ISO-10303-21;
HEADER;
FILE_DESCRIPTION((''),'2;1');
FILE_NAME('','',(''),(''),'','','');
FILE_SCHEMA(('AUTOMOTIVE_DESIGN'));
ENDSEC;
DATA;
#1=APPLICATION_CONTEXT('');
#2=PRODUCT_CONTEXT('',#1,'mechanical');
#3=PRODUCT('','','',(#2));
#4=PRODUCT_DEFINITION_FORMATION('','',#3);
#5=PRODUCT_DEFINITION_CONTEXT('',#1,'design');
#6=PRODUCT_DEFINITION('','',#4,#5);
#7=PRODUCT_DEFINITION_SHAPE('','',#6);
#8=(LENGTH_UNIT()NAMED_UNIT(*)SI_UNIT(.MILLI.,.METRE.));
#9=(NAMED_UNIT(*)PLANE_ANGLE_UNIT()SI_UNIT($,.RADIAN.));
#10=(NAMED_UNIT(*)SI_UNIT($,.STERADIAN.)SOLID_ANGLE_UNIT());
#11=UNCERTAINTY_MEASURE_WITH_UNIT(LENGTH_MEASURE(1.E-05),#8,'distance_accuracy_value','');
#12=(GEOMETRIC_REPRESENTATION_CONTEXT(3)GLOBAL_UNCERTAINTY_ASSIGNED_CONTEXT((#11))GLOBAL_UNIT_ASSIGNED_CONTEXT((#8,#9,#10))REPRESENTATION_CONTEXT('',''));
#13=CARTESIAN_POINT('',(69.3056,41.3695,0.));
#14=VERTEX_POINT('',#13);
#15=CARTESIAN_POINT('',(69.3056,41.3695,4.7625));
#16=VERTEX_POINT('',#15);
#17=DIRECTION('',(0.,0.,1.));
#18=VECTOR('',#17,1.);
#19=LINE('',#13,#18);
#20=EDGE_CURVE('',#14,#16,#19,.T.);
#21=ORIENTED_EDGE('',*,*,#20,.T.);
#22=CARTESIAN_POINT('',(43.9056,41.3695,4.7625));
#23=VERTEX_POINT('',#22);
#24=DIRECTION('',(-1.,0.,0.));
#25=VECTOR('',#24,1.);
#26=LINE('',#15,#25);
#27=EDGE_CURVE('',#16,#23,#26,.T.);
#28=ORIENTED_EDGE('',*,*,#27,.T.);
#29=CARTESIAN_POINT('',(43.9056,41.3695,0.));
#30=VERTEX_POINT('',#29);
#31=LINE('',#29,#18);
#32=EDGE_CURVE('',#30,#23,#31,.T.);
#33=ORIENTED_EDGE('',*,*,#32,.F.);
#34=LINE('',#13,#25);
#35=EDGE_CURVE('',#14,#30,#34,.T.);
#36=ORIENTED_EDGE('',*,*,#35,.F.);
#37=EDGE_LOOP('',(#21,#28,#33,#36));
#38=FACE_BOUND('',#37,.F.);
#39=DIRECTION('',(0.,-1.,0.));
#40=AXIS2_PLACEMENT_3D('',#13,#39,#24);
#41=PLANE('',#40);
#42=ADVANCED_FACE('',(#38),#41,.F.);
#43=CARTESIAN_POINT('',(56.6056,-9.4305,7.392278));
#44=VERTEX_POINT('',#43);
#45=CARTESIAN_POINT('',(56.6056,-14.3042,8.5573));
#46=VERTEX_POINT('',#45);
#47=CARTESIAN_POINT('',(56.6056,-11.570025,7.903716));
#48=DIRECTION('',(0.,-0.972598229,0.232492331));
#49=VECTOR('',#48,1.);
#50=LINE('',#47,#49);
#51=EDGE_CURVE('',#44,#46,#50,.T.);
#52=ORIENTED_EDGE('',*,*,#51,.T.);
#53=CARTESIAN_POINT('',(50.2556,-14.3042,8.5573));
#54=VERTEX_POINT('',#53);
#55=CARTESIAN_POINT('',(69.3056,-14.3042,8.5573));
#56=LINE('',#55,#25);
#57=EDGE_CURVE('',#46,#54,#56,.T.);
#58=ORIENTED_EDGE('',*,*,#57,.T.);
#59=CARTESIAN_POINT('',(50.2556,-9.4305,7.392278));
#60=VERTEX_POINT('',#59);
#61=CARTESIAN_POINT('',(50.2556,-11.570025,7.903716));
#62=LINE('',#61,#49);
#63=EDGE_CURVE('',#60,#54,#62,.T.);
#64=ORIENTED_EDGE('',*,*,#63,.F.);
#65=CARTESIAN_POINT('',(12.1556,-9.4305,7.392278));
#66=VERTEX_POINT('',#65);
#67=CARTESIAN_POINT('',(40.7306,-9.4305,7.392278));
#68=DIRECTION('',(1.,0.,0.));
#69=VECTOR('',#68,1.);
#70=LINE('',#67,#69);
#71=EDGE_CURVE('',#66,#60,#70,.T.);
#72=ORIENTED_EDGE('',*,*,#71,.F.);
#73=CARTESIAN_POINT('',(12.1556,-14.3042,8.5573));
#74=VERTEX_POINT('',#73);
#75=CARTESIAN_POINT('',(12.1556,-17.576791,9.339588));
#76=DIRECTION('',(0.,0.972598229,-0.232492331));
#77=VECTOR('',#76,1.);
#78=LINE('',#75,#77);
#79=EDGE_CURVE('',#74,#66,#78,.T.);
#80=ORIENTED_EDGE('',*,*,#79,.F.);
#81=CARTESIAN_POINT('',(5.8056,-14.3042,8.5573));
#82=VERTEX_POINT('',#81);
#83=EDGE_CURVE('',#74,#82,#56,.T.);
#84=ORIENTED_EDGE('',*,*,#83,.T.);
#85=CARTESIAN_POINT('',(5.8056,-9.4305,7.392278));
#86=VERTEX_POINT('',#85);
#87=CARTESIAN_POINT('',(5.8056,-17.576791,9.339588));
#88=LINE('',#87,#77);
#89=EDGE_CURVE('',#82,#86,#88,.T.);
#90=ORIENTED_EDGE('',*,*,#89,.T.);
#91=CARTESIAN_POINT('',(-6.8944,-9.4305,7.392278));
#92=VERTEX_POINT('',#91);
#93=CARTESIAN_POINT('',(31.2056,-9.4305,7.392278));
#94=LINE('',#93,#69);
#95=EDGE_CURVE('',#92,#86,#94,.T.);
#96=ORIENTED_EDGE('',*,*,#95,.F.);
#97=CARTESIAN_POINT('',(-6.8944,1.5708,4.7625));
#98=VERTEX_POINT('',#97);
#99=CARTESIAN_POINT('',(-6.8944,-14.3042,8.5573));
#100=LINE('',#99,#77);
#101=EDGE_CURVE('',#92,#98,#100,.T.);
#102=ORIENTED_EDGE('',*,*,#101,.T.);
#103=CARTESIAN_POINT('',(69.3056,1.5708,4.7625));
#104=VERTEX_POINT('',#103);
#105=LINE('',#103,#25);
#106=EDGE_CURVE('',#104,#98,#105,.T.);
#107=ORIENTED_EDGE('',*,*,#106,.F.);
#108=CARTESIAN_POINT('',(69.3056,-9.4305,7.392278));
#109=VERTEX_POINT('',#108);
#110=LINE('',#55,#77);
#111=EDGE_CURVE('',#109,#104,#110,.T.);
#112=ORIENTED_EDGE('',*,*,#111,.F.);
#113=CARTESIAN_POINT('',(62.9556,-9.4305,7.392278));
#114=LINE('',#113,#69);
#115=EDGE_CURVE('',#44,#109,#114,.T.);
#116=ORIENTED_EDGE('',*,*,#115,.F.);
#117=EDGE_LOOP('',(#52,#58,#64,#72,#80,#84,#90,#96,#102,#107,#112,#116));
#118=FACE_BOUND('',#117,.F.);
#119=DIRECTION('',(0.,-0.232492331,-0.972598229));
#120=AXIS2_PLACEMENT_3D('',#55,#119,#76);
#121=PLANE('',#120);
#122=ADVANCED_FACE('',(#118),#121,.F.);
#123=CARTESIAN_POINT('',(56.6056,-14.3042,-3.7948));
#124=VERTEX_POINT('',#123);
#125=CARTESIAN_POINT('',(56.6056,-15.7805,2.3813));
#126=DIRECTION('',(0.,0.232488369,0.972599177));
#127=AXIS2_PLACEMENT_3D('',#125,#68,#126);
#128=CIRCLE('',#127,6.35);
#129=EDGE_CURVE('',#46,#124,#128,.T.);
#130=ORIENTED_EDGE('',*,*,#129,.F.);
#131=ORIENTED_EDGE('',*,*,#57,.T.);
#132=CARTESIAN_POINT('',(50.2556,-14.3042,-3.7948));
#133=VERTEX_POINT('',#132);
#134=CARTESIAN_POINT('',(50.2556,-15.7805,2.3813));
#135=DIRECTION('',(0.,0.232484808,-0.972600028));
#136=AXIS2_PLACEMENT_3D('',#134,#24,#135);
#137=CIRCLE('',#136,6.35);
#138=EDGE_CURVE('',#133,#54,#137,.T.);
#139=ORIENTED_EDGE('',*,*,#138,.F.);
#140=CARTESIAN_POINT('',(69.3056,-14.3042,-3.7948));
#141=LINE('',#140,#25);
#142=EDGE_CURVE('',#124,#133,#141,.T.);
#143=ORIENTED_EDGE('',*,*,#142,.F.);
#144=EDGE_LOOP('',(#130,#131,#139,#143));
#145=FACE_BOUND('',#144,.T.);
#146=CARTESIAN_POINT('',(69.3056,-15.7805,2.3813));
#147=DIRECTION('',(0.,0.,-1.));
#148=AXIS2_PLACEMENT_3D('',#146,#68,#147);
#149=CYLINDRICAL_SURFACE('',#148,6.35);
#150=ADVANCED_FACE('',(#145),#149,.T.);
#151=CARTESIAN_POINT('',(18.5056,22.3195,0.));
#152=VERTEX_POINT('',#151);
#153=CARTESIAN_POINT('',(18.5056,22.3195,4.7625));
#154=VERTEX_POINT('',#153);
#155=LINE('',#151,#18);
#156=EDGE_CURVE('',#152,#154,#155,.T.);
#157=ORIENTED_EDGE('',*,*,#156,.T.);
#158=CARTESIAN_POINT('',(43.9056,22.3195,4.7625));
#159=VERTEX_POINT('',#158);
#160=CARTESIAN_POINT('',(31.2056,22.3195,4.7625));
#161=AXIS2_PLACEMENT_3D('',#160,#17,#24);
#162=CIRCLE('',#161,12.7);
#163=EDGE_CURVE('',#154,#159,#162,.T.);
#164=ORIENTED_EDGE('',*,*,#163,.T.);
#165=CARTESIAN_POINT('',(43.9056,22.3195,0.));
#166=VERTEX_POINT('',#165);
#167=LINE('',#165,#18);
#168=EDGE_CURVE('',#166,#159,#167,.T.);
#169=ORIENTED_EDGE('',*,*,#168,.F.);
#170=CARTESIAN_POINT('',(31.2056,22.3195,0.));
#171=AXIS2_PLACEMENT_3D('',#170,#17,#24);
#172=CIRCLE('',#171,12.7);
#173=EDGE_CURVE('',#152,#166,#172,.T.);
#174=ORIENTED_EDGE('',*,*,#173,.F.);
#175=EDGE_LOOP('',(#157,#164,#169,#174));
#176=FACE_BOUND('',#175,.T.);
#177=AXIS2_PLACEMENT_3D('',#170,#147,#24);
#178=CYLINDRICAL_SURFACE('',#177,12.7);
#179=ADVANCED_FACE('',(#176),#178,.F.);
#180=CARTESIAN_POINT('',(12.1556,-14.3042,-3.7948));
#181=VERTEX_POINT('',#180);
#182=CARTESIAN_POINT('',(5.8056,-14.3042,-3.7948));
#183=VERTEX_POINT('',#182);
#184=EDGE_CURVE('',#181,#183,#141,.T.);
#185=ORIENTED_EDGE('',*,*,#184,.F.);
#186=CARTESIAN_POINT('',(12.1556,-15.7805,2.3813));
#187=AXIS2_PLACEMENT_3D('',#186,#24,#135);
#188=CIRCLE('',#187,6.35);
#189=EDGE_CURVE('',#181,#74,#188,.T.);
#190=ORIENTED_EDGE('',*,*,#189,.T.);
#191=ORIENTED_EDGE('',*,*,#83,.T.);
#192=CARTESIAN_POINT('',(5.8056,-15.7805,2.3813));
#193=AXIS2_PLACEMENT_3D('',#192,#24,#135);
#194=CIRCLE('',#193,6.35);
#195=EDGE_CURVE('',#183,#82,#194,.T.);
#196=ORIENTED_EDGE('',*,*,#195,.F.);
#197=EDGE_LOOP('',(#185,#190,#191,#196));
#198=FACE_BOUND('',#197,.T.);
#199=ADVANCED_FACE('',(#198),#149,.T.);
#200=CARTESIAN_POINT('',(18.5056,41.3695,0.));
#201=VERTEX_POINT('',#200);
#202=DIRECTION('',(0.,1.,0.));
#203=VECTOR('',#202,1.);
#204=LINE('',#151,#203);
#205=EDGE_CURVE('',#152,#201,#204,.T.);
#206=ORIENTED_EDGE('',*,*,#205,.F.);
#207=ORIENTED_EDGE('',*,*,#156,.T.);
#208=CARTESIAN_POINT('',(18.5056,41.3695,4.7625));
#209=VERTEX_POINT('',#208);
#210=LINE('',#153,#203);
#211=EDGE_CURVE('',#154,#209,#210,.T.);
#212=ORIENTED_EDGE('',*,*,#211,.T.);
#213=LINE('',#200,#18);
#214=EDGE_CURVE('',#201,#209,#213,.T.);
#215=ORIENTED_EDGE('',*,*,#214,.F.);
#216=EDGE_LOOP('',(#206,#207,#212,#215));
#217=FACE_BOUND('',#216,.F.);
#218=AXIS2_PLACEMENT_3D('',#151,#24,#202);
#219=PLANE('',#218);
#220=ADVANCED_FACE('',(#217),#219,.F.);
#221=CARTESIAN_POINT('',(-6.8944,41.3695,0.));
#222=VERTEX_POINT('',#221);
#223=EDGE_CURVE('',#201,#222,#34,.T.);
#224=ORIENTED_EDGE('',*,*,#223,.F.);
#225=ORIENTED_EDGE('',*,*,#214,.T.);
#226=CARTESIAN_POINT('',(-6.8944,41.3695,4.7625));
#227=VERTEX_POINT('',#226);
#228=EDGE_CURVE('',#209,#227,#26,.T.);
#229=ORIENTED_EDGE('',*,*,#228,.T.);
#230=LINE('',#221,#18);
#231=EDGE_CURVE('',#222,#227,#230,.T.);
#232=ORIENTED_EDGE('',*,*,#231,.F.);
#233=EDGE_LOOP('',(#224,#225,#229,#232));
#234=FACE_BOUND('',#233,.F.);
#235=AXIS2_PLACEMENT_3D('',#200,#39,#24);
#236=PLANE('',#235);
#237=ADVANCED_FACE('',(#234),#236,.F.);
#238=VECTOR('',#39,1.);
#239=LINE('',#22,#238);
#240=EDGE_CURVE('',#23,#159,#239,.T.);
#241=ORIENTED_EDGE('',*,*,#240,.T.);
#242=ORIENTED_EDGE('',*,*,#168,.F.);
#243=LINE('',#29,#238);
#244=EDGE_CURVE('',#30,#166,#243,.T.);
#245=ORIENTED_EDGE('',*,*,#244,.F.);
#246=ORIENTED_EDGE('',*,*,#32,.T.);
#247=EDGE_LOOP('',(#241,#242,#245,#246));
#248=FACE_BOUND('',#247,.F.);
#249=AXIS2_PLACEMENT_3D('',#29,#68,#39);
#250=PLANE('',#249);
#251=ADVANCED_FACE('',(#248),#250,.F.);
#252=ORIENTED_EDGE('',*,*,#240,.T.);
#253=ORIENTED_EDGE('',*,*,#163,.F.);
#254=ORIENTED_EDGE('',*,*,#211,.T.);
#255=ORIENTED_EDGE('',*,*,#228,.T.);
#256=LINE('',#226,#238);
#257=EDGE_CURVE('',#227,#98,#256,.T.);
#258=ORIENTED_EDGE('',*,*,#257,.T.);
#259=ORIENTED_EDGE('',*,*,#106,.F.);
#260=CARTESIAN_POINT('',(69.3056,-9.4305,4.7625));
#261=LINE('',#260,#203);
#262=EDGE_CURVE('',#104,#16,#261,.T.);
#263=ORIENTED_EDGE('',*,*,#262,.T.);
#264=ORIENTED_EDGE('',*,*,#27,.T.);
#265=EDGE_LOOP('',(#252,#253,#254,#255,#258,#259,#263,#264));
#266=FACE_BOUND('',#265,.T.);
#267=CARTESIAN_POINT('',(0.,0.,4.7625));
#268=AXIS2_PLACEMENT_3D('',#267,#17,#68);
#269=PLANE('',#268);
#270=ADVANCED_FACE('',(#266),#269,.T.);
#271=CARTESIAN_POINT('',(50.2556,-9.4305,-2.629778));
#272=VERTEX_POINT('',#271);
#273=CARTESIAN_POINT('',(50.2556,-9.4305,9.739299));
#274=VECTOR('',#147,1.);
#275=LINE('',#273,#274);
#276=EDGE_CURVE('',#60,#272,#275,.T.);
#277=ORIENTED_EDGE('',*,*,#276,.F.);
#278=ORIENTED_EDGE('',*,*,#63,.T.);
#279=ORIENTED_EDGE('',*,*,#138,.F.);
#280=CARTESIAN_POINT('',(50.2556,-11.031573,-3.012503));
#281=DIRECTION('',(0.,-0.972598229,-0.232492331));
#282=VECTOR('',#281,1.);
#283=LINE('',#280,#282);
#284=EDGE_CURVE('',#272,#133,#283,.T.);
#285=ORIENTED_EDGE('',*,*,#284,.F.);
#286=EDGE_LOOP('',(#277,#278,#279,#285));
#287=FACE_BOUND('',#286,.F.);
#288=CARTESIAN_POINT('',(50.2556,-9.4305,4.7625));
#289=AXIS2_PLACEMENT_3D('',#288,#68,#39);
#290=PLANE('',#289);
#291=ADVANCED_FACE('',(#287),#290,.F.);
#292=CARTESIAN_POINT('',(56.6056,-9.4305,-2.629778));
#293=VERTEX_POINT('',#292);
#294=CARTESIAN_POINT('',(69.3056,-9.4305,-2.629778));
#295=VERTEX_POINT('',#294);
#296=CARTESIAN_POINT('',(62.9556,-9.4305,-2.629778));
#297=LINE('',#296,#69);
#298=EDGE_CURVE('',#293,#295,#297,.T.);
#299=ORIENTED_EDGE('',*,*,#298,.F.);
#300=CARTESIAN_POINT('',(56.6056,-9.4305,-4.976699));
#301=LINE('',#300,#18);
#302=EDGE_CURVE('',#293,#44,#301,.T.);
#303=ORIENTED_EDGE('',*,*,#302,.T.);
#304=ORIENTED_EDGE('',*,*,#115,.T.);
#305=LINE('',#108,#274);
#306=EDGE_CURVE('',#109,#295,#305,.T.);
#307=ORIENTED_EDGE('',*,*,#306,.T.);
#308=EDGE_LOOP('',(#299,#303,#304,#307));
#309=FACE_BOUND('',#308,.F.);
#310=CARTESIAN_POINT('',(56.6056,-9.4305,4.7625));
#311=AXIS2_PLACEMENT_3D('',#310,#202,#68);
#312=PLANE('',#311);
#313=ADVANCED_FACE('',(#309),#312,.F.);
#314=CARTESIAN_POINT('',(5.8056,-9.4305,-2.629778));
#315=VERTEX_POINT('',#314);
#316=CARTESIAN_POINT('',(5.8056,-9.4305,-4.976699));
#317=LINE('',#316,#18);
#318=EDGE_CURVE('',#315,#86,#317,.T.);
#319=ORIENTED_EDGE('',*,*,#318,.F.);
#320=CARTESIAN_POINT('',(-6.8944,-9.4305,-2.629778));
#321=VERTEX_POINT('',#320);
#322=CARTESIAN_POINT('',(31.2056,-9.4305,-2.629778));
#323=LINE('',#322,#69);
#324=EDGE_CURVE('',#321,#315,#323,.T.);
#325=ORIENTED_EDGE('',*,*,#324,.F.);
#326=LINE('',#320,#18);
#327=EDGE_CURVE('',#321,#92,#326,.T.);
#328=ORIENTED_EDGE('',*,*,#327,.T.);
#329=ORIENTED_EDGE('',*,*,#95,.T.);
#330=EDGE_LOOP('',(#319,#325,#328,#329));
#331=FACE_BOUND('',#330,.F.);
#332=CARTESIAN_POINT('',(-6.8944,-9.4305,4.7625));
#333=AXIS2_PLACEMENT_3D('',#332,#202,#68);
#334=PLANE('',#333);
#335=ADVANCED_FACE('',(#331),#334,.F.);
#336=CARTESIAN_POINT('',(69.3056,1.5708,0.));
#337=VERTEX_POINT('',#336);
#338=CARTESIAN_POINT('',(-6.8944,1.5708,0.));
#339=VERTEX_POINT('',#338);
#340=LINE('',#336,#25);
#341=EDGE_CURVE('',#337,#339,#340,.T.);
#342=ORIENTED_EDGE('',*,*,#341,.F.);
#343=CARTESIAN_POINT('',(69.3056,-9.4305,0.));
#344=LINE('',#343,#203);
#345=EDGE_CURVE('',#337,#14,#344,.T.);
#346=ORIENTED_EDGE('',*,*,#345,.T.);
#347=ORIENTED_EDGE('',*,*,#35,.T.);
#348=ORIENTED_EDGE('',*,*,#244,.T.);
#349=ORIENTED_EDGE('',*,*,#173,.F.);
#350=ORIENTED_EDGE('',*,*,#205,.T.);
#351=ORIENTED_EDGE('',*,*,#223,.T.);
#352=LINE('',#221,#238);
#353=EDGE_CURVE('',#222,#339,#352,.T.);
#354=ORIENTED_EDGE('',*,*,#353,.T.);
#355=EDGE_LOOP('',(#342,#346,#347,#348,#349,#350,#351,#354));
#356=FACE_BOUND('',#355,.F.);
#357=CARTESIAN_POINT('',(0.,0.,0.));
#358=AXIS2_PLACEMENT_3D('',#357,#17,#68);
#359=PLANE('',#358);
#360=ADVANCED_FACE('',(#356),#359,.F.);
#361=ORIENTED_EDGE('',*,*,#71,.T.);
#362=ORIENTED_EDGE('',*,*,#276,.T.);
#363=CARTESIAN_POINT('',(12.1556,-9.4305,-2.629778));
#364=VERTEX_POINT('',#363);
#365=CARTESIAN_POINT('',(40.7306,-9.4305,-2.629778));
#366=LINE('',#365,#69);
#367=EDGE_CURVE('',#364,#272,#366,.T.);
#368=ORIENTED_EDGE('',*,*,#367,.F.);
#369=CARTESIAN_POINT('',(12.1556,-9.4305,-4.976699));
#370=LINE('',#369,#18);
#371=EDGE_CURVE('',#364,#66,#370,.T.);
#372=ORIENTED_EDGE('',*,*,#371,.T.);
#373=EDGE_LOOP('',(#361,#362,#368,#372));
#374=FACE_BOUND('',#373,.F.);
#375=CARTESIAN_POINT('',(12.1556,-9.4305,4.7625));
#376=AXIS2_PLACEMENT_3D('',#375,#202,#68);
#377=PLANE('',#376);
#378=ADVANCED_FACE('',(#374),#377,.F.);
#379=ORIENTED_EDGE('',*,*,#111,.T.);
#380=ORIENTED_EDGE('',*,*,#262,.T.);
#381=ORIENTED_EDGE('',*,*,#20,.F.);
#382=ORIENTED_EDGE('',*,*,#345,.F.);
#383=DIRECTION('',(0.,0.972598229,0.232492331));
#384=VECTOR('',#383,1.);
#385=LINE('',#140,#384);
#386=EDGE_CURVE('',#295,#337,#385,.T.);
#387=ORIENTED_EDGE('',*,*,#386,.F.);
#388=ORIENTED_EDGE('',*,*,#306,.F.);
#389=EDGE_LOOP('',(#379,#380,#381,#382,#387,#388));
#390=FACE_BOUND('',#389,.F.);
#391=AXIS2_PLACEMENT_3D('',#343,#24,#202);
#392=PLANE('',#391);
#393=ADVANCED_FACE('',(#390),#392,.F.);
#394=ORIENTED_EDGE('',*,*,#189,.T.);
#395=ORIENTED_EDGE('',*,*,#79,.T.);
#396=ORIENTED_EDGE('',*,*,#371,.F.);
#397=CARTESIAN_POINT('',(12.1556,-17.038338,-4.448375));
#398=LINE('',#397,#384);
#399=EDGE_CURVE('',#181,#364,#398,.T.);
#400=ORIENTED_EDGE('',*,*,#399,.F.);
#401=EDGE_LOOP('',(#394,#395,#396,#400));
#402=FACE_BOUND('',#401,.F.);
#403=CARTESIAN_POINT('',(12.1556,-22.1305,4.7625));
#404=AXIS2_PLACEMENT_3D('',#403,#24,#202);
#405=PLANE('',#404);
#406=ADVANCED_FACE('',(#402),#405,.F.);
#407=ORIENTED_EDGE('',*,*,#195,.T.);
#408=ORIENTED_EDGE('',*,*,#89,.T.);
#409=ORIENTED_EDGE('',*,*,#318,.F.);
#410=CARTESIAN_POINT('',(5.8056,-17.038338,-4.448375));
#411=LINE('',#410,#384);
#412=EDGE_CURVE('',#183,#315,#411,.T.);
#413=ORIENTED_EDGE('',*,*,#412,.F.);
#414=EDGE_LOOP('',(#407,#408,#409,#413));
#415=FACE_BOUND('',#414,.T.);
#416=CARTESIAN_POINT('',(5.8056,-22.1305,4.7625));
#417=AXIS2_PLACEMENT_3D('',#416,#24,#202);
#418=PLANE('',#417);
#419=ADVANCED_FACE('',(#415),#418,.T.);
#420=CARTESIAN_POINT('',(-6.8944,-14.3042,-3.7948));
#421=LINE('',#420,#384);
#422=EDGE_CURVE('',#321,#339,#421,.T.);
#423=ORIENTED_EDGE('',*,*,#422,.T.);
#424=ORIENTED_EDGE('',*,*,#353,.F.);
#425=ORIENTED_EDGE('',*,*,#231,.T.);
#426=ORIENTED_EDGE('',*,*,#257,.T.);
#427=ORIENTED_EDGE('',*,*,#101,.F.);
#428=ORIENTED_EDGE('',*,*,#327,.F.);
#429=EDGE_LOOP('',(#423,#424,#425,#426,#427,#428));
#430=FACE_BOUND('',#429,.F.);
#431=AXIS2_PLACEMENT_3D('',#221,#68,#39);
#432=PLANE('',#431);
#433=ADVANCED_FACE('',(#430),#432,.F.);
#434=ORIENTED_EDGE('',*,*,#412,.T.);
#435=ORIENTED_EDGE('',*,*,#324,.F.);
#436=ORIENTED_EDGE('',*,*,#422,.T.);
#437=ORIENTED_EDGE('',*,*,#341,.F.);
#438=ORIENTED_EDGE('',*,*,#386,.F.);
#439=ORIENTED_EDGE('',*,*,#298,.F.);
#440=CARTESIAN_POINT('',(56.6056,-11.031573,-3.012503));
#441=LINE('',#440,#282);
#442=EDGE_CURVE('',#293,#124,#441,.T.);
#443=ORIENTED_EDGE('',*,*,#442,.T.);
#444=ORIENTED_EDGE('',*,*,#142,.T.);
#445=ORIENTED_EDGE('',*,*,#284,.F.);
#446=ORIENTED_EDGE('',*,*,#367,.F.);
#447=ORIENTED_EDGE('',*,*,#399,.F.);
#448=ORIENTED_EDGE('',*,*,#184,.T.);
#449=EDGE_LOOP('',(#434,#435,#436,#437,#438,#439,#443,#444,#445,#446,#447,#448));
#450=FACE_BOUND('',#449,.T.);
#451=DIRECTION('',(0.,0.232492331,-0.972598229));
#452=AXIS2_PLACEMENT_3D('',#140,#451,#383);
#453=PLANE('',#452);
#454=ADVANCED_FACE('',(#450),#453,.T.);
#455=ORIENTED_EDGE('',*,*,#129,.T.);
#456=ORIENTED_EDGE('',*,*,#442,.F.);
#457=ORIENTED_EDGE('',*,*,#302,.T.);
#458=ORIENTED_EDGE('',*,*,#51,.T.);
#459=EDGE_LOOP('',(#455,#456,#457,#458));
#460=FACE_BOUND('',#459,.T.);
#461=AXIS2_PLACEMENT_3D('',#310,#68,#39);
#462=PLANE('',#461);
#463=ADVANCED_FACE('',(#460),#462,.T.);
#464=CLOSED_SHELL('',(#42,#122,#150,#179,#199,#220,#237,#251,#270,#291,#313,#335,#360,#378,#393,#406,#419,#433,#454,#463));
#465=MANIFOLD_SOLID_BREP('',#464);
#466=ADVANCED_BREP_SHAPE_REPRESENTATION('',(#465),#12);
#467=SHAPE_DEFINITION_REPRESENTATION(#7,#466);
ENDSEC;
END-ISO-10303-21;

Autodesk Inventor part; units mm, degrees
ref_plane "YZ Plane" through (0, 0, 0) normal (1, 0, 0) x (0, 1, 0)
ref_plane "XZ Plane" through (0, 0, 0) normal (0, 1, 0) x (-1, 0, 0)
ref_plane "XY Plane" through (0, 0, 0) normal (0, 0, 1) x (1, 0, 0)
sketch "Sketch1" plane through (0, 0, 0) normal (0, 0, 1) x (1, 0, 0)
  line L0 (-6.8944, -9.4305) -> (69.3056, -9.4305)
  line L1 (69.3056, -9.4305) -> (69.3056, 41.3695)
  line L2 (69.3056, 41.3695) -> (-6.8944, 41.3695)
  line L3 (-6.8944, 41.3695) -> (-6.8944, -9.4305)
  line L4 (18.5056, 41.3695) -> (43.9056, 41.3695)
  line L5 (43.9056, 41.3695) -> (43.9056, 22.3195)
  line L6 (43.9056, 22.3195) -> (18.5056, 22.3195)
  line L7 (18.5056, 22.3195) -> (18.5056, 41.3695)
  arc A0 (18.5056, 22.3195) -> (43.9056, 22.3195) centre (31.2056, 22.3195) ccw
  point P0 (0, 0)
  point P1 (14.7078, 41.3695)
  point P2 (47.7034, 41.3695)
  point P3 (31.2056, 41.3695)
  dimension "d0" = 76.2
  dimension "d1" = 50.8
  dimension "d6" = 25.4
  dimension "d7" = 19.05
extrude "Extrusion2" add sketch "Sketch1" along normal blind 4.7625 contours L3 L2 L7 A0 L5 L1 L0
sketch "Sketch2" plane through (69.3056, -9.4305, 0) normal (1, 0, 0) x (0, 0, -1)
  line L0 (-4.7625, 50.8) -> (-4.7625, 0) projected
  line L1 (0, 0) -> (-4.7625, 0) projected
  line L2 (0, 0) -> (0, 50.8) projected
  line L3 (0, 50.8) -> (-4.7625, 50.8) projected
  circle A0 centre (-2.3813, -6.35) radius 6.35
  line L4 (3.7948, -4.8737) -> (0, 11.0013)
  line L5 (-8.5573, -4.8737) -> (-4.7625, 11.0013)
  point P0 (0, 9.4305)
  point P1 (-2.3813, 0)
  dimension "d10" = 12.7
  dimension "d11" = 15.875
extrude "Extrusion3" add sketch "Sketch2" against normal up to surface (76.2 mm away) contours L0 L1 A0 L5 | A0 | L4 A0 L1 L2
sketch "Sketch3" plane through (0, 0, 4.7625) normal (0, 0, 1) x (1, 0, 0)
  arc A0 (18.5056, 22.3195) -> (43.9056, 22.3195) centre (31.2056, 22.3195) ccw projected
  line L0 (56.6056, -9.4305) -> (56.6056, -22.1305)
  line L1 (5.8056, -22.1305) -> (5.8056, -9.4305)
  line L2 (69.3056, -9.4305) -> (69.3056, -22.1305)
  line L3 (-6.8944, -22.1305) -> (-6.8944, -9.4305)
  line L4 (5.8056, -22.1305) -> (-6.8944, -22.1305)
  line L5 (-6.8944, -9.4305) -> (5.8056, -9.4305)
  line L6 (56.6056, -9.4305) -> (69.3056, -9.4305)
  line L7 (69.3056, -22.1305) -> (56.6056, -22.1305)
  line L8 (12.1556, -9.4305) -> (50.2556, -9.4305)
  line L9 (50.2556, -9.4305) -> (50.2556, -22.1305)
  line L10 (50.2556, -22.1305) -> (12.1556, -22.1305)
  line L11 (12.1556, -22.1305) -> (12.1556, -9.4305)
  point P0 (0, 0)
  point P1 (31.2056, 9.6195)
  point P2 (31.2056, -9.4305)
  dimension "d14" = 50.8
  dimension "d18" = 76.2
  dimension "d19" = 6.35
  dimension "d20" = 6.35
  dimension "d21" = 12.7
  dimension "d22" = 19.05
extrude "Extrusion4" cut sketch "Sketch3" along normal through all both and the other way through all
properties part number "kinect bracket"
